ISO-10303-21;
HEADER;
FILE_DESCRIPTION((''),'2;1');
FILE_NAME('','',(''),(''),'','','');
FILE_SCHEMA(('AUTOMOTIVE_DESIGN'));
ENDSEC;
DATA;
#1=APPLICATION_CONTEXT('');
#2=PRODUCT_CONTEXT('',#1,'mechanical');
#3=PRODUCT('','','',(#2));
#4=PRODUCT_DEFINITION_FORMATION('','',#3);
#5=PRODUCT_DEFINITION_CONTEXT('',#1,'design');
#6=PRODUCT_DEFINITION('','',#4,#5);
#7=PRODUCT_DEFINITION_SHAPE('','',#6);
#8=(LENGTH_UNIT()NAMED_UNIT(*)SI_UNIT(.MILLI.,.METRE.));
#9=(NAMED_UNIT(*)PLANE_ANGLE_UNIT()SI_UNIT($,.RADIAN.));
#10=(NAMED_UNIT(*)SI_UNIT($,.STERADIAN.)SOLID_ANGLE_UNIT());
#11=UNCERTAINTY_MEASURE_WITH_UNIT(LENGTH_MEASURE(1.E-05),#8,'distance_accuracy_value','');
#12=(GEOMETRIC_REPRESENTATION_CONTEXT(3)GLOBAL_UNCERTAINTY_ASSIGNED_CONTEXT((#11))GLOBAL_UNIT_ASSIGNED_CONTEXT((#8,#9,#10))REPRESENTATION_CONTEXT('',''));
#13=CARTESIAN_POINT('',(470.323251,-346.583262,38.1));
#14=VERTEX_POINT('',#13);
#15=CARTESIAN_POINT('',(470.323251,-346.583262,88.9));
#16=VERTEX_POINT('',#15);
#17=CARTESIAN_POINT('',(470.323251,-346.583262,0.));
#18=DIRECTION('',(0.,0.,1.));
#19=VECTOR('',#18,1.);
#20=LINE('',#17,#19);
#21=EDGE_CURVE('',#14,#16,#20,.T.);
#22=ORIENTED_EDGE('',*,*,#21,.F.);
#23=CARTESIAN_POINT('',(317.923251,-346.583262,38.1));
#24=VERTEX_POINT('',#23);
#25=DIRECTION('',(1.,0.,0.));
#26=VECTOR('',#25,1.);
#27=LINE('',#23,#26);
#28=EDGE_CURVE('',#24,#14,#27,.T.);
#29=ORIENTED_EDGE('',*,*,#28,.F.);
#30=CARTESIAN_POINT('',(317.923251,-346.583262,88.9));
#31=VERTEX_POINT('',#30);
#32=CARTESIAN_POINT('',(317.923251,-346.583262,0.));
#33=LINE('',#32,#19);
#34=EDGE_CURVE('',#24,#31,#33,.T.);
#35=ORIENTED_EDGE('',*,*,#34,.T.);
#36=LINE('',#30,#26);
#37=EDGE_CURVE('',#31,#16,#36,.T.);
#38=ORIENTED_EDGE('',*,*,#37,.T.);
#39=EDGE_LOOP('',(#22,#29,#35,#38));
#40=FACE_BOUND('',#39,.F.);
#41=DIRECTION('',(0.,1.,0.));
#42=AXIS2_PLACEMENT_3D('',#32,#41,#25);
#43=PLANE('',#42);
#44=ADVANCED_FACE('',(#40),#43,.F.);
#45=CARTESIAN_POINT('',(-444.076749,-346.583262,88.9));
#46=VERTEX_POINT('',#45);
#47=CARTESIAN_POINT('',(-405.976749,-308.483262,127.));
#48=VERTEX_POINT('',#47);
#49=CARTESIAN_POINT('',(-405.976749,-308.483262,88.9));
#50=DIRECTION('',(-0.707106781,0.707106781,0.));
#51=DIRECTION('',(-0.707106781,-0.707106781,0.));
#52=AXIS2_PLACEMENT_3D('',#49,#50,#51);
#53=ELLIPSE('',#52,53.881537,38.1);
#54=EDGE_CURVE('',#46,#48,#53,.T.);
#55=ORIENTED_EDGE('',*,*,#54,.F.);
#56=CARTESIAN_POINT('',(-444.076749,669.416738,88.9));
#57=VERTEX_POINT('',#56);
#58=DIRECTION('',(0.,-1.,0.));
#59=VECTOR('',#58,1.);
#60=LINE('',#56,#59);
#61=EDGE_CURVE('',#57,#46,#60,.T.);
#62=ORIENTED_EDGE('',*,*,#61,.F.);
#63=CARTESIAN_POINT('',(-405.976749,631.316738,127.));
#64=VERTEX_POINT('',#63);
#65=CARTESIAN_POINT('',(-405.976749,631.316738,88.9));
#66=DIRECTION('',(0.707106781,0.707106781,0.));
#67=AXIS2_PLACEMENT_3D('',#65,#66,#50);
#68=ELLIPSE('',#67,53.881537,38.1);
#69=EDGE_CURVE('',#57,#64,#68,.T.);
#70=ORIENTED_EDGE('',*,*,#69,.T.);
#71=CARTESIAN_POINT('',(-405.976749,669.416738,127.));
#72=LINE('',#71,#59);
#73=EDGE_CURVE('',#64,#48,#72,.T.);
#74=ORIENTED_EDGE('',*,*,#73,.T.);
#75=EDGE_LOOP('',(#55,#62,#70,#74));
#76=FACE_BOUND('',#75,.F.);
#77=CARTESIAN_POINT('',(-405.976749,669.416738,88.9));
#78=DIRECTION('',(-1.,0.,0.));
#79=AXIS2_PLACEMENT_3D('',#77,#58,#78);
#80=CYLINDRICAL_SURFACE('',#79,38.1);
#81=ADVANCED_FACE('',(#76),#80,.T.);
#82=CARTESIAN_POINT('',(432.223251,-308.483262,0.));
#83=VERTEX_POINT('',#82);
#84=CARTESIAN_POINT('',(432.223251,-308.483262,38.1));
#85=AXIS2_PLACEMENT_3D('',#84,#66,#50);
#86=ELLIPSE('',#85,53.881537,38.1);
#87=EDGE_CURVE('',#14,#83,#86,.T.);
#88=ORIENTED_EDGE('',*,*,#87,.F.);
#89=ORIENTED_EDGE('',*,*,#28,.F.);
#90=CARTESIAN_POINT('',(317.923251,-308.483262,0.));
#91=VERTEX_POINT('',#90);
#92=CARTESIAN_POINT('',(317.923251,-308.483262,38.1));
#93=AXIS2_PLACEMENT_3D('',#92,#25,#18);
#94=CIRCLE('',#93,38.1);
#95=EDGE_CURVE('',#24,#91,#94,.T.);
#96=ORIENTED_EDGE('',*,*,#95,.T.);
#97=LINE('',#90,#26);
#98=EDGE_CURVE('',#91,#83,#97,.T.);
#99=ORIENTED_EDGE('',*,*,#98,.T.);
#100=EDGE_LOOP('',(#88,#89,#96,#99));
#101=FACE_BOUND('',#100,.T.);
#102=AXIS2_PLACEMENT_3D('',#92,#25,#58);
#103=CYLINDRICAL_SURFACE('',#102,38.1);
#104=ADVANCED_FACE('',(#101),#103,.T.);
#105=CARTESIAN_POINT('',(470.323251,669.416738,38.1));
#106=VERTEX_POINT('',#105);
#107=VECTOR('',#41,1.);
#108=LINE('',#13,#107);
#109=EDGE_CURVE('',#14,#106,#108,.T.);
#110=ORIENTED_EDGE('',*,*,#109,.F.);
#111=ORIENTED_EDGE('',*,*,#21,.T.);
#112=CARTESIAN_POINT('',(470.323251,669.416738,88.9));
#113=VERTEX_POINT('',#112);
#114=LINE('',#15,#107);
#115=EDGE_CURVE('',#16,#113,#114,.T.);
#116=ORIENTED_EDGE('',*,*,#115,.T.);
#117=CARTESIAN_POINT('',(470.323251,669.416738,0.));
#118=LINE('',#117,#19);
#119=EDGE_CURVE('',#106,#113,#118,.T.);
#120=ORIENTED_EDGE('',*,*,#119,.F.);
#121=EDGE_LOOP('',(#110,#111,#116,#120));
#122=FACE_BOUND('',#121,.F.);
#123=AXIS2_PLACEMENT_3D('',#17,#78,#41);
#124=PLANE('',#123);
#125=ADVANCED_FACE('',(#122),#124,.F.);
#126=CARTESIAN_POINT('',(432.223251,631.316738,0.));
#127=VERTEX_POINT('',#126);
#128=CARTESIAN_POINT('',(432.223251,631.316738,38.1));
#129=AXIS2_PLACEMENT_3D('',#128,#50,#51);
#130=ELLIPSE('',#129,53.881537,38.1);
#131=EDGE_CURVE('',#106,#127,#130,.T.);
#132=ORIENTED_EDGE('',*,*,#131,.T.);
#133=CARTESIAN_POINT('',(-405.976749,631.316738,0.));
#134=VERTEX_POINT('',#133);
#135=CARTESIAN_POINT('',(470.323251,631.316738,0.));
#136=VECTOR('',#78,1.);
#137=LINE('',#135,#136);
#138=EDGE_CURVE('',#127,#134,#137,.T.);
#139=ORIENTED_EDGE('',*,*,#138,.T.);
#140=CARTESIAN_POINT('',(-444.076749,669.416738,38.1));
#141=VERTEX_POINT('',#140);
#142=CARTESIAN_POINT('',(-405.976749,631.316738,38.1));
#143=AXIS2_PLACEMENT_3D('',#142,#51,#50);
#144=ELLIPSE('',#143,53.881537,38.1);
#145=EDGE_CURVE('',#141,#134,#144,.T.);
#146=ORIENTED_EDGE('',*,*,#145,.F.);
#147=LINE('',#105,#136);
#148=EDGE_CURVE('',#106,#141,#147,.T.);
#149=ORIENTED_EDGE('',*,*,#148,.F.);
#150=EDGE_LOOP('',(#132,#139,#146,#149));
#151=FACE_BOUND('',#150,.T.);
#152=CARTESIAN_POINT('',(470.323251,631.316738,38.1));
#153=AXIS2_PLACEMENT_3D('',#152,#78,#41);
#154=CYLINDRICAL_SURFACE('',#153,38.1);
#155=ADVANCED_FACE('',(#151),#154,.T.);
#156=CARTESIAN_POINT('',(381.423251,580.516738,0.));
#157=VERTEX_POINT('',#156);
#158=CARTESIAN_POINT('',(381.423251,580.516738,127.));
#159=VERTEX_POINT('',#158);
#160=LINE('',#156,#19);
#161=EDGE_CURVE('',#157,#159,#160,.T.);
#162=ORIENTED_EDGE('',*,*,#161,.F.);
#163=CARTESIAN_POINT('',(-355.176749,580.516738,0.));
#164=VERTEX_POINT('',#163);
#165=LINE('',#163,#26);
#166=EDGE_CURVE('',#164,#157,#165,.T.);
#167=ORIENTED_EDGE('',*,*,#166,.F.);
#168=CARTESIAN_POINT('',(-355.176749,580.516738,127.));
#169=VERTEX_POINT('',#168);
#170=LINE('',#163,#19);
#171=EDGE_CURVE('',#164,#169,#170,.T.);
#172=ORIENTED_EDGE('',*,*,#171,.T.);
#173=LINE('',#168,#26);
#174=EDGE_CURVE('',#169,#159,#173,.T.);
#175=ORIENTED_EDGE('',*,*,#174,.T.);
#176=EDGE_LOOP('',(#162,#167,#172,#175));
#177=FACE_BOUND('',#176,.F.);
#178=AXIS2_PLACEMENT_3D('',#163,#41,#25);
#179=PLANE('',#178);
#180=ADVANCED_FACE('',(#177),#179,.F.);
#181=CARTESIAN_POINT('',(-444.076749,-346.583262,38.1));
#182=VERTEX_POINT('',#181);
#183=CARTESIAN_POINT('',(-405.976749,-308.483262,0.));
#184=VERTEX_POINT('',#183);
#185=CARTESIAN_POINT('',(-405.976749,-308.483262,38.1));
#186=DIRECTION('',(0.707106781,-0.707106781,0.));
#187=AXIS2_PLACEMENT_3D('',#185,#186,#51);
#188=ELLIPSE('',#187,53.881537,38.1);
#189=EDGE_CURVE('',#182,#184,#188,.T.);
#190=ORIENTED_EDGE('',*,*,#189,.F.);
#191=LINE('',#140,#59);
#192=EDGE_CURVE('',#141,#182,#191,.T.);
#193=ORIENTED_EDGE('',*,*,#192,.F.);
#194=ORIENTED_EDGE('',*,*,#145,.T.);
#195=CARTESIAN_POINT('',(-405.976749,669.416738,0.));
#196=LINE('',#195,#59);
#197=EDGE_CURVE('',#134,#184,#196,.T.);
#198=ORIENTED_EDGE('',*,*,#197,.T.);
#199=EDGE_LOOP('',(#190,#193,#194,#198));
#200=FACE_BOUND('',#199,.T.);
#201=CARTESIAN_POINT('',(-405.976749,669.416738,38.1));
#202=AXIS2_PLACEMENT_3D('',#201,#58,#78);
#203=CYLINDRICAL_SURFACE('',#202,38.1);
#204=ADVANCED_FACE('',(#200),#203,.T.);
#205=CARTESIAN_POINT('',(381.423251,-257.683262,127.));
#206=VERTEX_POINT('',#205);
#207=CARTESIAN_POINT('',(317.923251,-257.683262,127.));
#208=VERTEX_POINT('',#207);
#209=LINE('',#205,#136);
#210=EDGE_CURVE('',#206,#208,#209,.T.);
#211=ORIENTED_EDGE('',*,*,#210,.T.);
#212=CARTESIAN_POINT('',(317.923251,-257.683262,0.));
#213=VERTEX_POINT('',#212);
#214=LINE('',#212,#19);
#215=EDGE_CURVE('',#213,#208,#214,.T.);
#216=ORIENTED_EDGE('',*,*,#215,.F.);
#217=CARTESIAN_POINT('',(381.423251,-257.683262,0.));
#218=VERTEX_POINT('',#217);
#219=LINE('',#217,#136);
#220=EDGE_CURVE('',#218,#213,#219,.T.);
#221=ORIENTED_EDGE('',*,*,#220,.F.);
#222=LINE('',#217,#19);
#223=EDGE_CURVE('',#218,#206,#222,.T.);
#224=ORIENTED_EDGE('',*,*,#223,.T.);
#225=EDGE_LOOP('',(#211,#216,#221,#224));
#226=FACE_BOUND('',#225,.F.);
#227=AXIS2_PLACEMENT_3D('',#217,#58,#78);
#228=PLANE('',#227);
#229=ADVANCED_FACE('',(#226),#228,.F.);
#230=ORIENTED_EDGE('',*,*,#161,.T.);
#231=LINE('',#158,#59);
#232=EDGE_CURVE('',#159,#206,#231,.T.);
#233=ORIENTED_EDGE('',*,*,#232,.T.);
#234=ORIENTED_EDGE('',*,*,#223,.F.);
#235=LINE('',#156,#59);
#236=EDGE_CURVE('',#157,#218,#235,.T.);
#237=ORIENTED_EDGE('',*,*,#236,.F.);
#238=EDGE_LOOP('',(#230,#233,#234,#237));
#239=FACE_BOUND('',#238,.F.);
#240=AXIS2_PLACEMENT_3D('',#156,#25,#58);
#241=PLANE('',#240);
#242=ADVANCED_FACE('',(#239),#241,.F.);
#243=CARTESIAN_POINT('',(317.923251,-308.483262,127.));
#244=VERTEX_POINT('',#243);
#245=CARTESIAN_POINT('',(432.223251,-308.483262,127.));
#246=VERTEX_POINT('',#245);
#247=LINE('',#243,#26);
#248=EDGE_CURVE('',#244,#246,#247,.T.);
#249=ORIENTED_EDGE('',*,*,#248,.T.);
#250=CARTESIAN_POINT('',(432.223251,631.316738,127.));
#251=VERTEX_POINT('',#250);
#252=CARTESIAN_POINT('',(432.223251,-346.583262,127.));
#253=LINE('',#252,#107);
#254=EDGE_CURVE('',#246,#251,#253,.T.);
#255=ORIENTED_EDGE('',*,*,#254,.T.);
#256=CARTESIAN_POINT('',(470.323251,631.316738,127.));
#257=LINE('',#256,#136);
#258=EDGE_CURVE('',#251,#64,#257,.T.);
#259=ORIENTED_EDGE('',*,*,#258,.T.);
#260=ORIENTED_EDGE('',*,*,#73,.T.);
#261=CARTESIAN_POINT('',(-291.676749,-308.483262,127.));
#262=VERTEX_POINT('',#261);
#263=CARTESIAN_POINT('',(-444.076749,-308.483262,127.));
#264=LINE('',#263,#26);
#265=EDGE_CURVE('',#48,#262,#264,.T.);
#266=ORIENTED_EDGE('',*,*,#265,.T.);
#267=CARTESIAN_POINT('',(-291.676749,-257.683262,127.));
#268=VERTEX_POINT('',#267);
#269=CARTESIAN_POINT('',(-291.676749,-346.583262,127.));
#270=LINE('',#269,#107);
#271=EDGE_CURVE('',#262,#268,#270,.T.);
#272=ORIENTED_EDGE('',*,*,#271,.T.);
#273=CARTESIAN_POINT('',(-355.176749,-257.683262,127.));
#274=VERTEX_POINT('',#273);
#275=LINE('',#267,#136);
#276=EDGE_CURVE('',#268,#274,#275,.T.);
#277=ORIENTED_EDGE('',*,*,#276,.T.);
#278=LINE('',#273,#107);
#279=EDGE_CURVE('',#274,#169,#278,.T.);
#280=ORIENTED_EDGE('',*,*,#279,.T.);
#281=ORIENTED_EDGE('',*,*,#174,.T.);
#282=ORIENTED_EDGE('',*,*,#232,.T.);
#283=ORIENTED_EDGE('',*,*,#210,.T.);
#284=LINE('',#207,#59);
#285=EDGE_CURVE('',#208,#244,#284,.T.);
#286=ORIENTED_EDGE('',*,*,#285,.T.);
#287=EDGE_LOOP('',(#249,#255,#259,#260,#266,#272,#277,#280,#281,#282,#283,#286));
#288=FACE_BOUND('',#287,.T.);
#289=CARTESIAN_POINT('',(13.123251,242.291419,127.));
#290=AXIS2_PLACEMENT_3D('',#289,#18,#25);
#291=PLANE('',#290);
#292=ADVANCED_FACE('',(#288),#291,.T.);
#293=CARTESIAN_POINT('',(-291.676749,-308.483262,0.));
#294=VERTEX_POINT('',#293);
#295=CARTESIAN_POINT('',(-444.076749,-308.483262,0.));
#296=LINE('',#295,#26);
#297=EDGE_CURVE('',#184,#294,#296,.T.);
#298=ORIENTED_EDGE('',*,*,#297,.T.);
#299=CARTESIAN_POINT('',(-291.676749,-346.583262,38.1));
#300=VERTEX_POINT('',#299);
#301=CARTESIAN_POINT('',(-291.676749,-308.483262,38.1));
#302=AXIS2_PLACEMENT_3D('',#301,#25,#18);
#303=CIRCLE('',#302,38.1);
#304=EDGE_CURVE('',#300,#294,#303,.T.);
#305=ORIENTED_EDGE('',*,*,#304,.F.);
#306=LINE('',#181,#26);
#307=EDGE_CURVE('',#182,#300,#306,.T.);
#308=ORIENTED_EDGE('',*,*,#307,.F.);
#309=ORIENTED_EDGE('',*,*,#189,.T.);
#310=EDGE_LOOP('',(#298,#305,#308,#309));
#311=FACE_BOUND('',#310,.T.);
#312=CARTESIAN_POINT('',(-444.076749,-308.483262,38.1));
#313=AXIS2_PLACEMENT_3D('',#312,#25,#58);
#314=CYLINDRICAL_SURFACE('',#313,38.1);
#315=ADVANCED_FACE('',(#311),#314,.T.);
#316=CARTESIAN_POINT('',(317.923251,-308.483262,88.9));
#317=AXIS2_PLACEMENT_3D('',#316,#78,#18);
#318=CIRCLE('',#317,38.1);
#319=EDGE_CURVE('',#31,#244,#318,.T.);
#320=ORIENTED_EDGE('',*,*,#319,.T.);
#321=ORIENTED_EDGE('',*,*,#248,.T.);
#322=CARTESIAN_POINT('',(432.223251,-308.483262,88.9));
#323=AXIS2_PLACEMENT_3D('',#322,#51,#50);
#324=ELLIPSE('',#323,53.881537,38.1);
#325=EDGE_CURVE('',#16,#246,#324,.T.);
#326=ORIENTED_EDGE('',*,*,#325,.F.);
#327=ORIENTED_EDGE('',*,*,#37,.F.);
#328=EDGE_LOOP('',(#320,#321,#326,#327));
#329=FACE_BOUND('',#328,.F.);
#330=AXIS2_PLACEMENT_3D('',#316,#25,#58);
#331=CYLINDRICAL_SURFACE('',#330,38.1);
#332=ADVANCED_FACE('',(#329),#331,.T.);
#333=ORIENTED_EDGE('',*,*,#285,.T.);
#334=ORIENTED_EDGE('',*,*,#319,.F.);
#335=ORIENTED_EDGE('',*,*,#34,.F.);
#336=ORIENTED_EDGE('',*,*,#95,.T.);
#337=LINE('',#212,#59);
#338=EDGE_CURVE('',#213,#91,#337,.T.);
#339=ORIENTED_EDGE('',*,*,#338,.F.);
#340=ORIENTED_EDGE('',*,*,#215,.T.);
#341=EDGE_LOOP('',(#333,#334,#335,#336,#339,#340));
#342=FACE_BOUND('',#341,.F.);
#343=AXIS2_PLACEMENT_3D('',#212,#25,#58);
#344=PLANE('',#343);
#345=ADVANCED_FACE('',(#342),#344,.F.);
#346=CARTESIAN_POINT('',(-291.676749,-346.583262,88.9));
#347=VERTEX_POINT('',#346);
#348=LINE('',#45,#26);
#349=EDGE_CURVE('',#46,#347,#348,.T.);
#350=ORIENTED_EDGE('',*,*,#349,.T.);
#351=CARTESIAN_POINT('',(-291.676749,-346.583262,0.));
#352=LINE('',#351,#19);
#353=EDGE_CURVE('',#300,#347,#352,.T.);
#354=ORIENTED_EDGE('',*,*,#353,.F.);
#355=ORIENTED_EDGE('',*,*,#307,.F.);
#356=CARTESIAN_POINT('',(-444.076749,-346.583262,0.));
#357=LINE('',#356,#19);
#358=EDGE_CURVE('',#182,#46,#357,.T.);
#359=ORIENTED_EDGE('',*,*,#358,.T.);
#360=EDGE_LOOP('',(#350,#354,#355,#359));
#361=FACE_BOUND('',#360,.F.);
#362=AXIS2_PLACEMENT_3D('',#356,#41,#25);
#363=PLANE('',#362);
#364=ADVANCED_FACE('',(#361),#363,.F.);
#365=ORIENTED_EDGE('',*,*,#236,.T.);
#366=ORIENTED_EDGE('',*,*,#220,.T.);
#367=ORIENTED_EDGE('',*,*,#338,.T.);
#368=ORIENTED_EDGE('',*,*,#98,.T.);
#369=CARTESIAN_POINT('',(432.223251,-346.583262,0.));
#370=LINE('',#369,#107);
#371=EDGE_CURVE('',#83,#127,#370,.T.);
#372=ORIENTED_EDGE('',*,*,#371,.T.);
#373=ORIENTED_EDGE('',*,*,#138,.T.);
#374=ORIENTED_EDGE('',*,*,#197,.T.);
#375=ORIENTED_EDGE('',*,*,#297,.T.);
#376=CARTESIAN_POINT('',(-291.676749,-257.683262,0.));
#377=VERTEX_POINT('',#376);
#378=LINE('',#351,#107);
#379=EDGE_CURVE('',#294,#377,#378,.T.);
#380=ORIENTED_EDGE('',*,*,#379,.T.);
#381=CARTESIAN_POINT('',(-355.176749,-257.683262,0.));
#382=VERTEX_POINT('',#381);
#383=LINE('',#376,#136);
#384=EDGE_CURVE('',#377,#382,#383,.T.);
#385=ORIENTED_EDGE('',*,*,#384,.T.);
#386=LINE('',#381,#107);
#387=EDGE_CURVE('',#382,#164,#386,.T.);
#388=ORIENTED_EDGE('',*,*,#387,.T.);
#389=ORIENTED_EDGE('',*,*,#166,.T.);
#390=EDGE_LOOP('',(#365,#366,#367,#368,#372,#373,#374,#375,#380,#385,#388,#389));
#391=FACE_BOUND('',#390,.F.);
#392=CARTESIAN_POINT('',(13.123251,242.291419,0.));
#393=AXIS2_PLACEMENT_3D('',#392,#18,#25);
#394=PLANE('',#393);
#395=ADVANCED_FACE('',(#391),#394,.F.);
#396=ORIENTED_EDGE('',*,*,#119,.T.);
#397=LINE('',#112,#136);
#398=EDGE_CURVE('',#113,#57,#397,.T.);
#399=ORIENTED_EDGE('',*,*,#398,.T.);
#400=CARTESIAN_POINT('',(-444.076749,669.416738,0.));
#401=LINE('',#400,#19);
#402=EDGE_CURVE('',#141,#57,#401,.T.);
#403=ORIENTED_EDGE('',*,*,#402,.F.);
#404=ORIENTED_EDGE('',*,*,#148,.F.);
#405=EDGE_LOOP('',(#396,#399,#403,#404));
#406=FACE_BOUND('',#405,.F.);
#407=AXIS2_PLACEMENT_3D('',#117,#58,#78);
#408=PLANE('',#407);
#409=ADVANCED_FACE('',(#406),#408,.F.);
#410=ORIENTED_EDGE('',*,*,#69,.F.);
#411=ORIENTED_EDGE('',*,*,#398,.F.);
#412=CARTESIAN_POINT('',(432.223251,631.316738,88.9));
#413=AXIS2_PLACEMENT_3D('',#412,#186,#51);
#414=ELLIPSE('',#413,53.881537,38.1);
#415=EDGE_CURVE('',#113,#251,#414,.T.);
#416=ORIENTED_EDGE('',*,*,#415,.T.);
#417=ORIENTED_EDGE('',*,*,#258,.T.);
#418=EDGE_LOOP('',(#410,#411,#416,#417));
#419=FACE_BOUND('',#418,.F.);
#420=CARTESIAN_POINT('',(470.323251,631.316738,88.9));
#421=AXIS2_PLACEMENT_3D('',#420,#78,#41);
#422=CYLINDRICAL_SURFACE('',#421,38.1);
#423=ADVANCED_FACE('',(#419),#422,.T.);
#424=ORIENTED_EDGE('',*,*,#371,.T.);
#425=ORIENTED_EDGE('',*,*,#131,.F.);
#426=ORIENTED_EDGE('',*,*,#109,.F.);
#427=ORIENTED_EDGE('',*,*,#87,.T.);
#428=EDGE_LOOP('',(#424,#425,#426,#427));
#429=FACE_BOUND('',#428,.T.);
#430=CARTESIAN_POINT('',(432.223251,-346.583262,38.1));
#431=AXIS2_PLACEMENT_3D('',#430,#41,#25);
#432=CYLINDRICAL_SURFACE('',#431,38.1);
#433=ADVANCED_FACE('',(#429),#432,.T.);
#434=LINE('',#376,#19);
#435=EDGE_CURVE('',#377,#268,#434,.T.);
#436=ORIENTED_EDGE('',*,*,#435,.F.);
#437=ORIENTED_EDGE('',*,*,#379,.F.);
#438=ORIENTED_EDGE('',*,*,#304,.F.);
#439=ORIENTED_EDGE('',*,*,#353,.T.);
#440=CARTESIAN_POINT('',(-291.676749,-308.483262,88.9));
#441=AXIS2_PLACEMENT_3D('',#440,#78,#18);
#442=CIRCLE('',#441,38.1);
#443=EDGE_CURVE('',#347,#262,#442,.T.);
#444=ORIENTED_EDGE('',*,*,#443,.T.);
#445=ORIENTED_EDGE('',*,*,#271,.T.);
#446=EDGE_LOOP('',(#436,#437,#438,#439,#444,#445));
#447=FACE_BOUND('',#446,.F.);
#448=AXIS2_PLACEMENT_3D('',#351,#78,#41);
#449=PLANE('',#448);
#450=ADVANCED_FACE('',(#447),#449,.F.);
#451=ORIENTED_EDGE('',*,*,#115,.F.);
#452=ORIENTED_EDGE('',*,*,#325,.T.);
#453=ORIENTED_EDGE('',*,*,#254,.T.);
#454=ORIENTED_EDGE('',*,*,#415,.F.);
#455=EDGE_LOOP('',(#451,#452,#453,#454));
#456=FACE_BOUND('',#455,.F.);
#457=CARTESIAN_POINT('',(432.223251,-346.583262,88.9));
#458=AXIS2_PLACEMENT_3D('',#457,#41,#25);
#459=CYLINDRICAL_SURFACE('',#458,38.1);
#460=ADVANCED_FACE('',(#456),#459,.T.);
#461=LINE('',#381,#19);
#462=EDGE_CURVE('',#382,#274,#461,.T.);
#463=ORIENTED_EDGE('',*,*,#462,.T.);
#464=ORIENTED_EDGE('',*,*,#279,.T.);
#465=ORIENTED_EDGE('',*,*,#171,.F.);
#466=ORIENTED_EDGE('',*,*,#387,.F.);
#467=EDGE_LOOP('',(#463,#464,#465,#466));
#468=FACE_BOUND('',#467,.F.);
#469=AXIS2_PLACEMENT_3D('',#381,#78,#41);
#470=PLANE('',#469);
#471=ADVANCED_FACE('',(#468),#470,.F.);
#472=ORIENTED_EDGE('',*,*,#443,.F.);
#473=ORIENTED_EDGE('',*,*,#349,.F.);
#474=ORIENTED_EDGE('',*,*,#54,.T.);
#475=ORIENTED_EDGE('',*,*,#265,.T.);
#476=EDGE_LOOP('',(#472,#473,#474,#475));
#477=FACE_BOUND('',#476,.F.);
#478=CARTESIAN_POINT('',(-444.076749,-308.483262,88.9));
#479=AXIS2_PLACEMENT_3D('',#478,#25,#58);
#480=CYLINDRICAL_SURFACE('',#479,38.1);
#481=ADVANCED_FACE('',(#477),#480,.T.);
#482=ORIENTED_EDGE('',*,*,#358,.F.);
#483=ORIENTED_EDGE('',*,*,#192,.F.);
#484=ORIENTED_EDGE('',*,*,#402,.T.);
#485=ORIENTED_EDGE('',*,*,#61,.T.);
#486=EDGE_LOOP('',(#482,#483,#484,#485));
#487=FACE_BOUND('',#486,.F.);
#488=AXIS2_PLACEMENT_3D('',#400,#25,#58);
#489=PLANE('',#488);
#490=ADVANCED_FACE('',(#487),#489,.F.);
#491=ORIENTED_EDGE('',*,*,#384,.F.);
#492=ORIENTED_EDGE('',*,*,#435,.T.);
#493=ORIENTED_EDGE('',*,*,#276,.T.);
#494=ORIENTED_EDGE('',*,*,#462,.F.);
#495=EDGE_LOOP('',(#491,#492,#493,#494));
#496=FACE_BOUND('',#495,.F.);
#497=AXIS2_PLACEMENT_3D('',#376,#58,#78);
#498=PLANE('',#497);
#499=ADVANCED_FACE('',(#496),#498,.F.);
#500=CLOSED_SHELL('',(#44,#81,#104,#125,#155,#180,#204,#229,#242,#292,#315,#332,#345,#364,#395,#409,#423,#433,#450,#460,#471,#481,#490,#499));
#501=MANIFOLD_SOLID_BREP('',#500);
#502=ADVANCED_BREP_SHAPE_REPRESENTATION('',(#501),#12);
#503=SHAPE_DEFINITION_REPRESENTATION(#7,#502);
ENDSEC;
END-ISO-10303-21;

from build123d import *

# Parameters (mm, degrees)
F1_DEPTH = 127
F2_R     = 38.1


with BuildPart() as f1:
    # F0 (on Top) → F1 (new body)
    with BuildSketch(Plane.XY):
        Polygon((470.323251, 669.416738), (-444.076749, 669.416738), (-444.076749, -346.583262), (-291.676749, -346.583262), (-291.676749, -257.683262), (-355.176749, -257.683262), (-355.176749, 580.516738), (381.423251, 580.516738), (381.423251, -257.683262), (317.923251, -257.683262), (317.923251, -346.583262), (470.323251, -346.583262), align=None)
    extrude(amount=F1_DEPTH)

    # F2
    f2_edges = [f1.edges().sort_by_distance(p)[0] for p in [
        (13.123251, 669.416738, 0),
        (13.123251, 669.416738, 127),
        (470.323251, 161.416738, 127),
        (470.323251, 161.416738, 0),
        (-444.076749, 161.416738, 0),
        (-444.076749, 161.416738, 127),
        (-367.876749, -346.583262, 0),
        (-367.876749, -346.583262, 127),
        (394.123251, -346.583262, 127),
        (394.123251, -346.583262, 0),
    ]]
    fillet(f2_edges, radius=F2_R)


solid = f1.part
